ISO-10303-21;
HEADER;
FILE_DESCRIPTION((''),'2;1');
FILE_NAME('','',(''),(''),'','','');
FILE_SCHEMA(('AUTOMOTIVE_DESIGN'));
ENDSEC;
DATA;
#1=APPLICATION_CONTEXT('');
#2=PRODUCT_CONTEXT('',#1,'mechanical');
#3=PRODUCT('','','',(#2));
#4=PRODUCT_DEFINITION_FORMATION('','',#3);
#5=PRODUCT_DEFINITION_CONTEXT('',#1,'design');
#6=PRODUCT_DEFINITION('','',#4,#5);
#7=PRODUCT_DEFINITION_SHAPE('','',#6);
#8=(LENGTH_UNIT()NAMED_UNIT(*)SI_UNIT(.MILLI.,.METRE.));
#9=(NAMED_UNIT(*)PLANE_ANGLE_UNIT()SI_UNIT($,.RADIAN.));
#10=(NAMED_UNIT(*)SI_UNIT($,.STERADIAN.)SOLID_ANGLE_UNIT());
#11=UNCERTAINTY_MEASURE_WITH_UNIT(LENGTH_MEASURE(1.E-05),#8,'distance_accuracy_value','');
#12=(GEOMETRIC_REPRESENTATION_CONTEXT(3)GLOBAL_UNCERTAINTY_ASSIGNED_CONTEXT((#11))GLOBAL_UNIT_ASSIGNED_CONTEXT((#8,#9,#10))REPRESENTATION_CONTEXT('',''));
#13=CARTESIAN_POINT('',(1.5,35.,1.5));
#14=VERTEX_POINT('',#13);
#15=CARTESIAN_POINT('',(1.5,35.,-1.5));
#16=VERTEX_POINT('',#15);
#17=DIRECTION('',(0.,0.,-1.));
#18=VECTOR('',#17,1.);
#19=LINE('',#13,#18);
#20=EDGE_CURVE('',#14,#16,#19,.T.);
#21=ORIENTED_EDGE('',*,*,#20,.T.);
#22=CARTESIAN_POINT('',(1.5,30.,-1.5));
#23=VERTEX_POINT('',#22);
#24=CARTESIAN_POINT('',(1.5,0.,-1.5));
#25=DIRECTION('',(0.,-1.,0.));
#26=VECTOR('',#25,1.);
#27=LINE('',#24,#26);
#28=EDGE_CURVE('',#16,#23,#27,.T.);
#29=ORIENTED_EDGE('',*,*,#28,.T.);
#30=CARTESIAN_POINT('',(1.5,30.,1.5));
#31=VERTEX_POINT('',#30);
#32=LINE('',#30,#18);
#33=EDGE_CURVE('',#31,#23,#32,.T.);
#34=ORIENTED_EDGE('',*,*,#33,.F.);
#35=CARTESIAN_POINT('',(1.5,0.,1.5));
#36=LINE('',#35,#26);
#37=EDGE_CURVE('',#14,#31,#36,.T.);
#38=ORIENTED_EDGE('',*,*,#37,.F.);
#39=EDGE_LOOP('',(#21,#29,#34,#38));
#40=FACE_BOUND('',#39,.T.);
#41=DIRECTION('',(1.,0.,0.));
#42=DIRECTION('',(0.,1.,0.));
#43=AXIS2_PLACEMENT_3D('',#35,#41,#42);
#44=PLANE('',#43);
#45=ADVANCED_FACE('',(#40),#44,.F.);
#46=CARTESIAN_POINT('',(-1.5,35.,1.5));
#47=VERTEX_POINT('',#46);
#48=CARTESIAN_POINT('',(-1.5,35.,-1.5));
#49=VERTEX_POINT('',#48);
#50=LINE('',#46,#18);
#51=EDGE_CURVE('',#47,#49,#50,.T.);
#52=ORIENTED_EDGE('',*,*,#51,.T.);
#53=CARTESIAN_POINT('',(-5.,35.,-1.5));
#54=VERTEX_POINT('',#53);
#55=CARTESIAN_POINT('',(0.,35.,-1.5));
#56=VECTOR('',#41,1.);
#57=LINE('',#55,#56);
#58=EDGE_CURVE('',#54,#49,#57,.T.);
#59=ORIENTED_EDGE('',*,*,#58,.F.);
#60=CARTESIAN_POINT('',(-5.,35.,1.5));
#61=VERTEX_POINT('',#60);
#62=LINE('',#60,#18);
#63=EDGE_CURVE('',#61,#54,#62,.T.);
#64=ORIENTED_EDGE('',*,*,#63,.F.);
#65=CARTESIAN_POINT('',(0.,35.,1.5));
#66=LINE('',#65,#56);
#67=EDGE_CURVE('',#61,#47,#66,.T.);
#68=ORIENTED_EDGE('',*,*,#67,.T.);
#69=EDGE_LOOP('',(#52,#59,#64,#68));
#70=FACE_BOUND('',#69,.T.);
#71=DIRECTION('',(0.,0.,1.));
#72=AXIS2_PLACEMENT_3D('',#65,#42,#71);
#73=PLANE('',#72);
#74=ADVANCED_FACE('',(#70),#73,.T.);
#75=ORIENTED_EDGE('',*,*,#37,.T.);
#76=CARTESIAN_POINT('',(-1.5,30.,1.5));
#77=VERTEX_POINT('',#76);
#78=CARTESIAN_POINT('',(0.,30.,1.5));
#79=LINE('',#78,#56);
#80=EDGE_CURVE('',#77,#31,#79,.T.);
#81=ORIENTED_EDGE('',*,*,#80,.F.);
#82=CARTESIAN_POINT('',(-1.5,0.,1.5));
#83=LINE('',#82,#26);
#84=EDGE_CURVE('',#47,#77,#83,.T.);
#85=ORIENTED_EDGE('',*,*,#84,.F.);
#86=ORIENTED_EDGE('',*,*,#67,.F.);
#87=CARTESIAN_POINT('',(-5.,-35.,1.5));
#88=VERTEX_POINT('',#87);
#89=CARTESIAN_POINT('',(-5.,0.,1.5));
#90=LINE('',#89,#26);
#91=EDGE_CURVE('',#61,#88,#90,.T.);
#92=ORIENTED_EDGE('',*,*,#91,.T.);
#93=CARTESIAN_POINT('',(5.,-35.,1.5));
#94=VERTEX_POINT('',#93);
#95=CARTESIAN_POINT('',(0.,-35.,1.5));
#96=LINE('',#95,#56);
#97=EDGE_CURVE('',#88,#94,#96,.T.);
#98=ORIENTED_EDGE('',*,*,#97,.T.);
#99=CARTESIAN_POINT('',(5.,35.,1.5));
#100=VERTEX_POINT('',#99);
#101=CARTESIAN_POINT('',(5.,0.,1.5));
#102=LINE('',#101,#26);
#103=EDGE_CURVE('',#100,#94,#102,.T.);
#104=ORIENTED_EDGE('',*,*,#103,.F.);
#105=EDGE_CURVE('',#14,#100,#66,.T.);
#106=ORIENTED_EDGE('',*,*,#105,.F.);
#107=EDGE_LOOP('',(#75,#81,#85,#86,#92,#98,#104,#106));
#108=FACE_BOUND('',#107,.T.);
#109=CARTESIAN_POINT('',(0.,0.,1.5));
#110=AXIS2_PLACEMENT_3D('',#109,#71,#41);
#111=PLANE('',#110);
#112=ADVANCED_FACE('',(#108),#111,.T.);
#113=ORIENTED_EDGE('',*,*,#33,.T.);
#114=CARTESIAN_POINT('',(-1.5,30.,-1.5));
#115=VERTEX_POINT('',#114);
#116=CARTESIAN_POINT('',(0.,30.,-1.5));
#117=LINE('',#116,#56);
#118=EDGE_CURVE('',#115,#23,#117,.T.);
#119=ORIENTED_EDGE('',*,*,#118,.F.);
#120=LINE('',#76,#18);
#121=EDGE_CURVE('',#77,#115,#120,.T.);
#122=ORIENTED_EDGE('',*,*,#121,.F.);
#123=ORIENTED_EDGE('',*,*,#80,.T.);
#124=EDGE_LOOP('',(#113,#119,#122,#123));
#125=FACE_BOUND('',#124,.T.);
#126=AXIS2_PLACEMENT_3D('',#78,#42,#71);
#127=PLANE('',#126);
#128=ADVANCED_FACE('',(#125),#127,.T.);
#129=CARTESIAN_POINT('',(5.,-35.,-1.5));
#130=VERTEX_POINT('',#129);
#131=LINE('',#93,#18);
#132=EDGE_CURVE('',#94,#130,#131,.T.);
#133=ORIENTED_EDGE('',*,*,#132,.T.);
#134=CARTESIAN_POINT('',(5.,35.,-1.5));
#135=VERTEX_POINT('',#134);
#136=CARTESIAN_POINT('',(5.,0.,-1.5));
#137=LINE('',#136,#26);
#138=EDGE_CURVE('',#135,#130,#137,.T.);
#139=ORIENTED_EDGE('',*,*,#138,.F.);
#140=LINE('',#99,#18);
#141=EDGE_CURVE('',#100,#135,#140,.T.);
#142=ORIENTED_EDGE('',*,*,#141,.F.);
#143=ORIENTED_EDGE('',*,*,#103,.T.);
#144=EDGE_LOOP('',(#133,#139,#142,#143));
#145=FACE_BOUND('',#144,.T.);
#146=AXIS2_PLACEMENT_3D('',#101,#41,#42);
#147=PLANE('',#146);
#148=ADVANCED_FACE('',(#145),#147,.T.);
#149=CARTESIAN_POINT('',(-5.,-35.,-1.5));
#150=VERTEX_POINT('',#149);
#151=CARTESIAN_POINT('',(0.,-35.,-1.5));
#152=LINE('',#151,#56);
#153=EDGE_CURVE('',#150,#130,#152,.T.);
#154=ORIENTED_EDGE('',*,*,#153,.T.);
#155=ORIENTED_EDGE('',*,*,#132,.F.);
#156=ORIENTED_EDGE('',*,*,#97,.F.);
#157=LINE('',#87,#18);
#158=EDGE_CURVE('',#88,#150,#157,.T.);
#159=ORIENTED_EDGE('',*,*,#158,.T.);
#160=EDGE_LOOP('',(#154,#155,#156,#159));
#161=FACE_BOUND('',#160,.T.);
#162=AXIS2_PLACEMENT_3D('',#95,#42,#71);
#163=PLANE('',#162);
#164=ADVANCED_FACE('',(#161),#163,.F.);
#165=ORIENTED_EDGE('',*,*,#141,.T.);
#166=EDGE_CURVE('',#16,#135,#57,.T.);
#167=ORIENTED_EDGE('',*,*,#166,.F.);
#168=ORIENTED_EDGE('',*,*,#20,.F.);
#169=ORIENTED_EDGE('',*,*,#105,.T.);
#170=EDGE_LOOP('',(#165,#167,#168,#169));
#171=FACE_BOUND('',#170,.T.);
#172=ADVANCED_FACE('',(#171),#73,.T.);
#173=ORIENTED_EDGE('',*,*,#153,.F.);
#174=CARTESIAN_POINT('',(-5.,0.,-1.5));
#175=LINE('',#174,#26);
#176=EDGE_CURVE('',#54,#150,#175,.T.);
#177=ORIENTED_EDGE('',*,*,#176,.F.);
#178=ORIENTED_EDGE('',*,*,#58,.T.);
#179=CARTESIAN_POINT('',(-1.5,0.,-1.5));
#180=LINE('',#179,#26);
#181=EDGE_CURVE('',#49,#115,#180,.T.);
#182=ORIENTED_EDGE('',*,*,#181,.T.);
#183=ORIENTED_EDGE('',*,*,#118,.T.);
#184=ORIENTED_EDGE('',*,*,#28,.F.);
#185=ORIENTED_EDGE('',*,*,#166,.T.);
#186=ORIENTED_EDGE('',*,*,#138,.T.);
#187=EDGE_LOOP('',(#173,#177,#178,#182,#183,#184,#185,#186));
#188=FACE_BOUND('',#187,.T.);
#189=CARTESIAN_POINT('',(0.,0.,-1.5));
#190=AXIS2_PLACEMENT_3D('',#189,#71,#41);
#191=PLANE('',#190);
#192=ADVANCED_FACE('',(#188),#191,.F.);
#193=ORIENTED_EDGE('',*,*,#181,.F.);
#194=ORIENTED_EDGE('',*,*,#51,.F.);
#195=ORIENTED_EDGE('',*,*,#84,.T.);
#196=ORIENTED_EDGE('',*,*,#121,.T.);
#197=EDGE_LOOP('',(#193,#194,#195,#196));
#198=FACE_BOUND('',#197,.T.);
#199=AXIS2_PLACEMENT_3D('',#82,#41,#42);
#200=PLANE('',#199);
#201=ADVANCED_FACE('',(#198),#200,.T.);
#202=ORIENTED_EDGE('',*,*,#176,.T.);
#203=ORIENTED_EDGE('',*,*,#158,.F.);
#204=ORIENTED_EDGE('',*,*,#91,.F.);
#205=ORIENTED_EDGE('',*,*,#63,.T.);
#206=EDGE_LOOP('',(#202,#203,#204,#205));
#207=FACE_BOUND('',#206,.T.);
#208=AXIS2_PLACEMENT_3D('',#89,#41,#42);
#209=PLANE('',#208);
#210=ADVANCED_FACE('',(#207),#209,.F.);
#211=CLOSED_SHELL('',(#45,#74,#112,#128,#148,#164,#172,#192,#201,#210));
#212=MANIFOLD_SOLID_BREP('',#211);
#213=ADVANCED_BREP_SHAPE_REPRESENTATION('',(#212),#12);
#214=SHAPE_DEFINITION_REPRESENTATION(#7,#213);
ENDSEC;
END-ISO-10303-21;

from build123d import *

# Parameters (mm, degrees)
BOSS_EXTRUDE1_DEPTH = 1.5


with BuildPart() as part:
    # Sketch1 → Boss-Extrude1 (new body, symmetric)
    with BuildSketch(Plane.XY):
        Polygon((-1.5, 35), (-5, 35), (-5, -35), (5, -35), (5, 35), (1.5, 35), (1.5, 30), (-1.5, 30), align=None)
    extrude(amount=BOSS_EXTRUDE1_DEPTH, both=True)


solid = part.part
